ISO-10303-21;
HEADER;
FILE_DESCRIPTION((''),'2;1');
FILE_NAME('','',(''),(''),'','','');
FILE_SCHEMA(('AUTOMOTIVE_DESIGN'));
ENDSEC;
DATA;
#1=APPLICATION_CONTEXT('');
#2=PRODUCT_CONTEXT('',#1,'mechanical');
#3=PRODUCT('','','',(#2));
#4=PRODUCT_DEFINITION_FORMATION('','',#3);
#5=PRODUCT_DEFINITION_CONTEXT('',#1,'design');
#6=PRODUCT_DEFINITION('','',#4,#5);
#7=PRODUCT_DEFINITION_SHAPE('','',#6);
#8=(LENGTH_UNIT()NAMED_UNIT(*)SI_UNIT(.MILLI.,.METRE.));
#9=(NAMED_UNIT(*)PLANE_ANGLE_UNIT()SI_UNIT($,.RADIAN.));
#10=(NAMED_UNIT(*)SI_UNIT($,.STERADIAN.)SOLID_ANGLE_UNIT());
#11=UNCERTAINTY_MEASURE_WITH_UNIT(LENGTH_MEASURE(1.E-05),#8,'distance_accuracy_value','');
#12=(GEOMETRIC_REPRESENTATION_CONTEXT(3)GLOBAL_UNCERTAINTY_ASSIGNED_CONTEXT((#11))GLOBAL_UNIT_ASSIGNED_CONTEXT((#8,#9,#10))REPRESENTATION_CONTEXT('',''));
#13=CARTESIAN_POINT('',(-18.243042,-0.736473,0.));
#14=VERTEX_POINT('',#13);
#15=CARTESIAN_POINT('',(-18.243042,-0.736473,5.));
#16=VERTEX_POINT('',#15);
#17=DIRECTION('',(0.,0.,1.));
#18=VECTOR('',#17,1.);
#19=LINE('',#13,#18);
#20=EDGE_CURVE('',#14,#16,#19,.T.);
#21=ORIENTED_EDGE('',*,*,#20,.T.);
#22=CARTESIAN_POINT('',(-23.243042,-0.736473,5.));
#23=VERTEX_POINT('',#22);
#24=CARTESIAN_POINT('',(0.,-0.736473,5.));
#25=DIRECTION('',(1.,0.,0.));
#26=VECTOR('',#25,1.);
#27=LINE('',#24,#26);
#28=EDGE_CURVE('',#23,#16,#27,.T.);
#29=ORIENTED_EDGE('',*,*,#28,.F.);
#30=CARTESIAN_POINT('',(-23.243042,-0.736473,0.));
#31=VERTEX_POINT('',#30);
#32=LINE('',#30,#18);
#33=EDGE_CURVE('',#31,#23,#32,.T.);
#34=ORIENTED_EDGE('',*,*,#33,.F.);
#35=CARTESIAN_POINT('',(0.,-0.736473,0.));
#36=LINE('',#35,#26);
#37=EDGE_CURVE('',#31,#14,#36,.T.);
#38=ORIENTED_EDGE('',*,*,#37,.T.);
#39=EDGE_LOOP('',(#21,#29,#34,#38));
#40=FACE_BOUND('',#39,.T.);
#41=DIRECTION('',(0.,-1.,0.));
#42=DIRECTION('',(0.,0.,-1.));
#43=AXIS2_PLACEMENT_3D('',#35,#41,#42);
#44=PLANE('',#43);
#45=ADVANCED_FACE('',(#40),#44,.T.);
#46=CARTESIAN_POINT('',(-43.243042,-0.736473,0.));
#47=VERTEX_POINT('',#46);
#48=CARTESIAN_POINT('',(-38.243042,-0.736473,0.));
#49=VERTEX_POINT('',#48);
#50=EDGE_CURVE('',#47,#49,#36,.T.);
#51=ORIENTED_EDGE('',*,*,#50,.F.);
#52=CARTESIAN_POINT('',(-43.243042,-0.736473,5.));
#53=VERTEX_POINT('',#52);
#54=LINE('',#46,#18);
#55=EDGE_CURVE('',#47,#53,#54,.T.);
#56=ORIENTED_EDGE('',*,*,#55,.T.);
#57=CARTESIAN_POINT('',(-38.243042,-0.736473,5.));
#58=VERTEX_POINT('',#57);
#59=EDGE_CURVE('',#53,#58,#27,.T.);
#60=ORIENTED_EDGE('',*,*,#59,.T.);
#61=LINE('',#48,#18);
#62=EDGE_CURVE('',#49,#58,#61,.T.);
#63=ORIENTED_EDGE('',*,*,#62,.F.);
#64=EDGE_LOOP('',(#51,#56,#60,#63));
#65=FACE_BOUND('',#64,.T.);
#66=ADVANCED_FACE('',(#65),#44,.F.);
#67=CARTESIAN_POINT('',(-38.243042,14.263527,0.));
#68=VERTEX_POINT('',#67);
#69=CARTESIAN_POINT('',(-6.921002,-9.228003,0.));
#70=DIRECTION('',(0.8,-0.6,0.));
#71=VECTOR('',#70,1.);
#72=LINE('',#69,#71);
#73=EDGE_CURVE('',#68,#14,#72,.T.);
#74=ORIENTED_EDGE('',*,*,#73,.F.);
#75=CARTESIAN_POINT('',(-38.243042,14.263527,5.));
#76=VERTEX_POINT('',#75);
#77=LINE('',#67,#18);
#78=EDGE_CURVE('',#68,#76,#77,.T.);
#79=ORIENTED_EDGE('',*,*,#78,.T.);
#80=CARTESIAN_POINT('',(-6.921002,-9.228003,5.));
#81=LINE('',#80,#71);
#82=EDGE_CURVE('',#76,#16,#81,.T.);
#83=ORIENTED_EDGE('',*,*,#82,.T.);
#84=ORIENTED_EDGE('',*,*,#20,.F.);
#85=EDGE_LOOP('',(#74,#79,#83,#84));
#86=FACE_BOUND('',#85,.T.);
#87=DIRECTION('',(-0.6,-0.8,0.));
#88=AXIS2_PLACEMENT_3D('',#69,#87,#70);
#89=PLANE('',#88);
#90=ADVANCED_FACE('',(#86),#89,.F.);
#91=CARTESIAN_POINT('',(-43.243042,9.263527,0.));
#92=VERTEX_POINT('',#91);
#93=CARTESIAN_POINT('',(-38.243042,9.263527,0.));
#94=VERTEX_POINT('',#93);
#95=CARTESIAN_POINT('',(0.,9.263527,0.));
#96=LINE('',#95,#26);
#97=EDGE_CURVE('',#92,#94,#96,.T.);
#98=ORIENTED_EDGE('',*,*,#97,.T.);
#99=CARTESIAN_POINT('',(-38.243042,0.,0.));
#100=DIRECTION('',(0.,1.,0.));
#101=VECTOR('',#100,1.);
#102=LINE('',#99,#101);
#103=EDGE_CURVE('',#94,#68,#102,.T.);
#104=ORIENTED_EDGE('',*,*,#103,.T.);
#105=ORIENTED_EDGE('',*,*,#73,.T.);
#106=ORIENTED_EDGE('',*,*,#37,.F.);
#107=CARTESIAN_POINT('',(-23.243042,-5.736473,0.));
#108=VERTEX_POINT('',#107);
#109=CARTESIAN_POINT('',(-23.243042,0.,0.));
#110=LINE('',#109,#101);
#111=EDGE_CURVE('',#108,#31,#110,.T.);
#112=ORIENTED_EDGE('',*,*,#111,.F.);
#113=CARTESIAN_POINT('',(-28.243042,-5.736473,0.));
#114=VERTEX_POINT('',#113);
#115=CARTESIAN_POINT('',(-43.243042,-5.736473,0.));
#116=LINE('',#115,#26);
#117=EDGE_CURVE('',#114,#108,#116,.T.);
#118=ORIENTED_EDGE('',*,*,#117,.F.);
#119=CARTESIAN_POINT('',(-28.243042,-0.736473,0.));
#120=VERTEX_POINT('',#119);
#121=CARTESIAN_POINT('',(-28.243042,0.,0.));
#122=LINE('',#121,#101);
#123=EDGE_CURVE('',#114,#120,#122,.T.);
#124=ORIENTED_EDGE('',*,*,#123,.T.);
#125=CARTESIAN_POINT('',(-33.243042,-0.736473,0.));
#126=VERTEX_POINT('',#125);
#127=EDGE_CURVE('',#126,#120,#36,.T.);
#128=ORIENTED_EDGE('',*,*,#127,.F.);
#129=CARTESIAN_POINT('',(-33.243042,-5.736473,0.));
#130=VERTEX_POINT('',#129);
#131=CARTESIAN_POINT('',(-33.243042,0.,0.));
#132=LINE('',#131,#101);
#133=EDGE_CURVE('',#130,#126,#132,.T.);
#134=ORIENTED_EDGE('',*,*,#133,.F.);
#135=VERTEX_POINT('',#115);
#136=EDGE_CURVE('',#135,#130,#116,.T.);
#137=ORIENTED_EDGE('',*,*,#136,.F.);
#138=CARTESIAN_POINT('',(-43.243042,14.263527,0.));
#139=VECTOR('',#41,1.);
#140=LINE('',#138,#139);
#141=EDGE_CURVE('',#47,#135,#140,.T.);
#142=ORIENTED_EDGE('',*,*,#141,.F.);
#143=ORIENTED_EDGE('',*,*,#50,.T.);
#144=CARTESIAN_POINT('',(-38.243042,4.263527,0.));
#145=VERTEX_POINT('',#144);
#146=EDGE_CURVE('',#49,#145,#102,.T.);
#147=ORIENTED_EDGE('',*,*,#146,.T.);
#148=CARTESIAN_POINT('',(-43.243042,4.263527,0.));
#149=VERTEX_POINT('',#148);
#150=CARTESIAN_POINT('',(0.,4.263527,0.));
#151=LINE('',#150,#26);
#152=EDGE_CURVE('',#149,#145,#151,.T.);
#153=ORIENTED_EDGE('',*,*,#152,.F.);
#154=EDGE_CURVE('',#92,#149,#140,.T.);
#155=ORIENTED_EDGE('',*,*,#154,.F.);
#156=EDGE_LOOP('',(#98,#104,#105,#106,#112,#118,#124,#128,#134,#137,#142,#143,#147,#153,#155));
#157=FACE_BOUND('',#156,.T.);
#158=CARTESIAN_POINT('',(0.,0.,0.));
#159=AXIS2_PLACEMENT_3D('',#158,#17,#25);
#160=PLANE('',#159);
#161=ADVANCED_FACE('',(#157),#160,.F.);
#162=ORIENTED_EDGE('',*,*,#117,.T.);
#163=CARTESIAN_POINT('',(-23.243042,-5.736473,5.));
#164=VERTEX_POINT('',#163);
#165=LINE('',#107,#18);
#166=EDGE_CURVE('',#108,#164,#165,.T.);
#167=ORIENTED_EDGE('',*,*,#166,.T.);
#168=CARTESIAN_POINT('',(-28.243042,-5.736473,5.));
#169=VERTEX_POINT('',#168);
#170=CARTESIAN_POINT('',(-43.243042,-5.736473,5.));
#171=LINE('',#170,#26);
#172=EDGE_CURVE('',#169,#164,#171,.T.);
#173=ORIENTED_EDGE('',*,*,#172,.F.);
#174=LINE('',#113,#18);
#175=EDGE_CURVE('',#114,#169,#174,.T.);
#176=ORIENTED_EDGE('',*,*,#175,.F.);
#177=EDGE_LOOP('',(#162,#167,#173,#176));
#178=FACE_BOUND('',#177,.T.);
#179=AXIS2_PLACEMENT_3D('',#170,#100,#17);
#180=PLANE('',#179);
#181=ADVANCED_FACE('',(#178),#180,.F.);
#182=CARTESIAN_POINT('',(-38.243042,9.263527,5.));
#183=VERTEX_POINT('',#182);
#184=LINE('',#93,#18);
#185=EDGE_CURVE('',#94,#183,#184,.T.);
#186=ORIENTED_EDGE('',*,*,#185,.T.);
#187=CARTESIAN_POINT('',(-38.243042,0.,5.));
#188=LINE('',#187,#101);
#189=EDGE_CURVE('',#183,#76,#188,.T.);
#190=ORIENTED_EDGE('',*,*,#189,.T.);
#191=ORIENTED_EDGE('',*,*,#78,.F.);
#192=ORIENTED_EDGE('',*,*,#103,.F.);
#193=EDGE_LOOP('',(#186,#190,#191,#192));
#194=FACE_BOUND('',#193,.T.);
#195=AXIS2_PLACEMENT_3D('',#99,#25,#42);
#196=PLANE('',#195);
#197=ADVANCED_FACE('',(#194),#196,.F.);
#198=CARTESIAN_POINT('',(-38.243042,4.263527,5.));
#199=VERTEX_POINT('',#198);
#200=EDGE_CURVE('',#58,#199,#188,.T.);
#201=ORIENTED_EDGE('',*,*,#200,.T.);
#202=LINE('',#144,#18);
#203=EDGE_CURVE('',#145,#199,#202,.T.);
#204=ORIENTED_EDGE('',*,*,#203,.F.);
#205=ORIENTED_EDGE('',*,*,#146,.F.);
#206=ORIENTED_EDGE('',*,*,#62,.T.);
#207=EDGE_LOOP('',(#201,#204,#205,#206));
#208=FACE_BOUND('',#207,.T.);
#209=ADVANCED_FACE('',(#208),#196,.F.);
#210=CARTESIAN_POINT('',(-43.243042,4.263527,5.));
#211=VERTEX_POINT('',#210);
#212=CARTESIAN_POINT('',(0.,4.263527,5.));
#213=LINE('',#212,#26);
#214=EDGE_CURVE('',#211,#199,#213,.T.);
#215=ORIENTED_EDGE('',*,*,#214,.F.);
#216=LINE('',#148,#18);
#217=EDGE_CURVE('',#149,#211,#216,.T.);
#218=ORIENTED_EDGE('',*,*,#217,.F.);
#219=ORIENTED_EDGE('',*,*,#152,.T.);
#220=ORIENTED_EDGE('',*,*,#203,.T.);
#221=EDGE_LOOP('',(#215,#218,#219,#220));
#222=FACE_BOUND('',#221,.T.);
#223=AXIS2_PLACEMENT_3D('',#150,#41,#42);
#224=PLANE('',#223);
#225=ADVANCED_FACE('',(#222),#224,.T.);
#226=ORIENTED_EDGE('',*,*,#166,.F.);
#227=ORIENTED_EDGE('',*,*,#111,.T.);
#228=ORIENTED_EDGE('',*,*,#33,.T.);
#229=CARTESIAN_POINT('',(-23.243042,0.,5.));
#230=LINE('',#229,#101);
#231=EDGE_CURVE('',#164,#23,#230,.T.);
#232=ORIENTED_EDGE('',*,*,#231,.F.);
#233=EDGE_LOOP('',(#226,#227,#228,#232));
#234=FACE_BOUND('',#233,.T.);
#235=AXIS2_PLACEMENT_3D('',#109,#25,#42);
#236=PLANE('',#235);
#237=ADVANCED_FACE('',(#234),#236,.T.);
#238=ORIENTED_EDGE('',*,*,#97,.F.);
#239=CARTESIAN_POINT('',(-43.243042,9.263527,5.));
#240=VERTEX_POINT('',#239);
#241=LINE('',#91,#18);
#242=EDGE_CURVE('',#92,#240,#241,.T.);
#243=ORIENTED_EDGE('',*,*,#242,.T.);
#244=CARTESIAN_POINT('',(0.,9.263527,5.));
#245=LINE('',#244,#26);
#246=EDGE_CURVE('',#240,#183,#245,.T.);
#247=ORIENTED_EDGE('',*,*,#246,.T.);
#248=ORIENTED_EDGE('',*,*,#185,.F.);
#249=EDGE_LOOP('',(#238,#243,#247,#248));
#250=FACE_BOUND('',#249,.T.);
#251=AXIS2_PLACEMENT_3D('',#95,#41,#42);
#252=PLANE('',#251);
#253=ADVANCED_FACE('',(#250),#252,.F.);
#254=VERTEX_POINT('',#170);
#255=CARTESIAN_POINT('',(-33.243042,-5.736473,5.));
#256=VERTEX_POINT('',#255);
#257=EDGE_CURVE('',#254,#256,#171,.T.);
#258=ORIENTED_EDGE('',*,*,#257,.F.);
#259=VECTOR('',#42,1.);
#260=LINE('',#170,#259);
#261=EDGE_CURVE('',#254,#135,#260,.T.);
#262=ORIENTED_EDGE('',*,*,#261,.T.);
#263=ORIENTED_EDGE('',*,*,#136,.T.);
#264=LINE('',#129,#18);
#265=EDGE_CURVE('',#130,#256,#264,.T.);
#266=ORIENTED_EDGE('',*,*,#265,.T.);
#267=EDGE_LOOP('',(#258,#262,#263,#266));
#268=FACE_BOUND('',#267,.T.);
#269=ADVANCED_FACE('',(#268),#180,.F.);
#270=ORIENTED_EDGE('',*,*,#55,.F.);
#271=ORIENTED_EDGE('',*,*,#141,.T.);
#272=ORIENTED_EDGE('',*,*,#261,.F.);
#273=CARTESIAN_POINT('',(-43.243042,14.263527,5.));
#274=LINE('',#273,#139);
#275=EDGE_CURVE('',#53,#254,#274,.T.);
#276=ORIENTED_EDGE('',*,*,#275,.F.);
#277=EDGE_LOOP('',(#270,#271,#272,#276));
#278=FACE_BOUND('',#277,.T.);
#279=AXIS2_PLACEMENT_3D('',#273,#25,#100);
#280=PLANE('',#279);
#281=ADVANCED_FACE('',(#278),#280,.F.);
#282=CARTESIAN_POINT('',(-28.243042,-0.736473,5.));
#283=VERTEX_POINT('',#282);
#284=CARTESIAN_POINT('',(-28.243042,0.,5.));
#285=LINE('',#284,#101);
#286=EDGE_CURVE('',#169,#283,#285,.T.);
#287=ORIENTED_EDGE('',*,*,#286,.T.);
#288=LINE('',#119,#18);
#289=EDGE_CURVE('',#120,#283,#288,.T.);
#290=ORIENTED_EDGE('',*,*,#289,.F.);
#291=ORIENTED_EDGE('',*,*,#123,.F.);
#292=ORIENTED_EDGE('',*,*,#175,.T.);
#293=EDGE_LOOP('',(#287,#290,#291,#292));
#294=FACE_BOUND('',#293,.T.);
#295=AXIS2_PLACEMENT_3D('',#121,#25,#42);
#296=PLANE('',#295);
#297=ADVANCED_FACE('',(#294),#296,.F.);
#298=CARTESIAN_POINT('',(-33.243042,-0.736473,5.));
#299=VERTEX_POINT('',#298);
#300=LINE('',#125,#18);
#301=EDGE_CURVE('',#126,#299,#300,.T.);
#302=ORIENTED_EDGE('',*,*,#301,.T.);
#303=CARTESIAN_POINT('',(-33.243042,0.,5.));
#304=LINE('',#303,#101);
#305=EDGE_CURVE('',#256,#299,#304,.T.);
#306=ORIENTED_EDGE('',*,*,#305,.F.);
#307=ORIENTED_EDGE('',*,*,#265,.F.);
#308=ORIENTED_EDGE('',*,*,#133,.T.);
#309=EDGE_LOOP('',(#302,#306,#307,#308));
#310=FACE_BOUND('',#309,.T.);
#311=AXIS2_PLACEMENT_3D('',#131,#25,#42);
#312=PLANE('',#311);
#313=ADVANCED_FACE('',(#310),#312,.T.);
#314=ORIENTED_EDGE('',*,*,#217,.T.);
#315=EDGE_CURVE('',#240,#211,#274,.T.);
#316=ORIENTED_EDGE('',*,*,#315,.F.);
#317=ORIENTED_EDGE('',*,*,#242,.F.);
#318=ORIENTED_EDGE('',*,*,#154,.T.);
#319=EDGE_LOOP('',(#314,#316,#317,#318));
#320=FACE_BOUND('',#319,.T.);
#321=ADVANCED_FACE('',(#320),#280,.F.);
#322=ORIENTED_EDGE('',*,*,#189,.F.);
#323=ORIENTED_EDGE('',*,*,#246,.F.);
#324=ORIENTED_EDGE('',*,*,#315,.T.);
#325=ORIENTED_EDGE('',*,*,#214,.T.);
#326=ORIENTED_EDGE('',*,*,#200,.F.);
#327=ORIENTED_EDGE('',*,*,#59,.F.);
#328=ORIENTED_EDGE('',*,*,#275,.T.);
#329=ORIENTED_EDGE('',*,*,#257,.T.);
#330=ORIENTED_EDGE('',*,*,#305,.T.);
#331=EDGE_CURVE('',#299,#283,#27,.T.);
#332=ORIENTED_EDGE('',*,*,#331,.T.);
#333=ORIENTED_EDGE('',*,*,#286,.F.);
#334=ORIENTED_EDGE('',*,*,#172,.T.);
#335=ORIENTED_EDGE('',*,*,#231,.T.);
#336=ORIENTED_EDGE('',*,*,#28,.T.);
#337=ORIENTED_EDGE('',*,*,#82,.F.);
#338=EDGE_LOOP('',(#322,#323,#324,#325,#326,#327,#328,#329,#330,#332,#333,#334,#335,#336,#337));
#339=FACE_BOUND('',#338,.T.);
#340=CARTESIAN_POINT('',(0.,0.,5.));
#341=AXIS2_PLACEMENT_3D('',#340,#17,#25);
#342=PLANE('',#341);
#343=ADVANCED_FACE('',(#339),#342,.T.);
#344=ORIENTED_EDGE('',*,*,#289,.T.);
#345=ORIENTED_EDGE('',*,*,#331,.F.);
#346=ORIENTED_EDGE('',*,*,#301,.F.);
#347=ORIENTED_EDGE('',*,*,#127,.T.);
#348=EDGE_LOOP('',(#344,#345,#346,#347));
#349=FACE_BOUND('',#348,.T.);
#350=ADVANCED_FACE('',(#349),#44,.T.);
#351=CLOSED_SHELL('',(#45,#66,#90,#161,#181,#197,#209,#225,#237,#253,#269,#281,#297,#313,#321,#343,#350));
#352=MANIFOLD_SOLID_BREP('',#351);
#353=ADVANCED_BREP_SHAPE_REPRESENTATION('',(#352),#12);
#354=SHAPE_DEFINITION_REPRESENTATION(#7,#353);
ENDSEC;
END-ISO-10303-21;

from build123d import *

# Parameters (mm, degrees)
ESQUISSE1_W             = 25
ESQUISSE1_H             = 20
BOSS_EXTRU_1_DEPTH      = 5
ESQUISSE2_W             = 5
ESQUISSE2_H             = 5
ENL_V_MAT_EXTRU_4_DEPTH = 5


with BuildPart() as part:
    # Esquisse1 → Boss.-Extru.1 (new body)
    with BuildSketch(Plane.XY):
        with Locations((-30.743041797, 4.26352657)):
            Rectangle(ESQUISSE1_W, ESQUISSE1_H)
    extrude(amount=BOSS_EXTRU_1_DEPTH)

    # Esquisse2 → Enlèv. mat.-Extru.4 (cut)
    with BuildSketch(Plane.XY.offset(5)):
        Polygon((-38.243041797, 14.26352657), (-18.243041797, -0.73647343), (-18.243041797, 14.26352657), align=None)
        with Locations((-40.743041797, 11.76352657)):
            Rectangle(ESQUISSE2_W, ESQUISSE2_H)
        with Locations((-40.743041797, 1.76352657)):
            Rectangle(ESQUISSE2_W, ESQUISSE2_H)
        with Locations((-30.743041797, -3.23647343)):
            Rectangle(ESQUISSE2_W, ESQUISSE2_H)
        with Locations((-20.743041797, -3.23647343)):
            Rectangle(ESQUISSE2_W, ESQUISSE2_H)
    extrude(amount=-ENL_V_MAT_EXTRU_4_DEPTH, mode=Mode.SUBTRACT)


solid = part.part
